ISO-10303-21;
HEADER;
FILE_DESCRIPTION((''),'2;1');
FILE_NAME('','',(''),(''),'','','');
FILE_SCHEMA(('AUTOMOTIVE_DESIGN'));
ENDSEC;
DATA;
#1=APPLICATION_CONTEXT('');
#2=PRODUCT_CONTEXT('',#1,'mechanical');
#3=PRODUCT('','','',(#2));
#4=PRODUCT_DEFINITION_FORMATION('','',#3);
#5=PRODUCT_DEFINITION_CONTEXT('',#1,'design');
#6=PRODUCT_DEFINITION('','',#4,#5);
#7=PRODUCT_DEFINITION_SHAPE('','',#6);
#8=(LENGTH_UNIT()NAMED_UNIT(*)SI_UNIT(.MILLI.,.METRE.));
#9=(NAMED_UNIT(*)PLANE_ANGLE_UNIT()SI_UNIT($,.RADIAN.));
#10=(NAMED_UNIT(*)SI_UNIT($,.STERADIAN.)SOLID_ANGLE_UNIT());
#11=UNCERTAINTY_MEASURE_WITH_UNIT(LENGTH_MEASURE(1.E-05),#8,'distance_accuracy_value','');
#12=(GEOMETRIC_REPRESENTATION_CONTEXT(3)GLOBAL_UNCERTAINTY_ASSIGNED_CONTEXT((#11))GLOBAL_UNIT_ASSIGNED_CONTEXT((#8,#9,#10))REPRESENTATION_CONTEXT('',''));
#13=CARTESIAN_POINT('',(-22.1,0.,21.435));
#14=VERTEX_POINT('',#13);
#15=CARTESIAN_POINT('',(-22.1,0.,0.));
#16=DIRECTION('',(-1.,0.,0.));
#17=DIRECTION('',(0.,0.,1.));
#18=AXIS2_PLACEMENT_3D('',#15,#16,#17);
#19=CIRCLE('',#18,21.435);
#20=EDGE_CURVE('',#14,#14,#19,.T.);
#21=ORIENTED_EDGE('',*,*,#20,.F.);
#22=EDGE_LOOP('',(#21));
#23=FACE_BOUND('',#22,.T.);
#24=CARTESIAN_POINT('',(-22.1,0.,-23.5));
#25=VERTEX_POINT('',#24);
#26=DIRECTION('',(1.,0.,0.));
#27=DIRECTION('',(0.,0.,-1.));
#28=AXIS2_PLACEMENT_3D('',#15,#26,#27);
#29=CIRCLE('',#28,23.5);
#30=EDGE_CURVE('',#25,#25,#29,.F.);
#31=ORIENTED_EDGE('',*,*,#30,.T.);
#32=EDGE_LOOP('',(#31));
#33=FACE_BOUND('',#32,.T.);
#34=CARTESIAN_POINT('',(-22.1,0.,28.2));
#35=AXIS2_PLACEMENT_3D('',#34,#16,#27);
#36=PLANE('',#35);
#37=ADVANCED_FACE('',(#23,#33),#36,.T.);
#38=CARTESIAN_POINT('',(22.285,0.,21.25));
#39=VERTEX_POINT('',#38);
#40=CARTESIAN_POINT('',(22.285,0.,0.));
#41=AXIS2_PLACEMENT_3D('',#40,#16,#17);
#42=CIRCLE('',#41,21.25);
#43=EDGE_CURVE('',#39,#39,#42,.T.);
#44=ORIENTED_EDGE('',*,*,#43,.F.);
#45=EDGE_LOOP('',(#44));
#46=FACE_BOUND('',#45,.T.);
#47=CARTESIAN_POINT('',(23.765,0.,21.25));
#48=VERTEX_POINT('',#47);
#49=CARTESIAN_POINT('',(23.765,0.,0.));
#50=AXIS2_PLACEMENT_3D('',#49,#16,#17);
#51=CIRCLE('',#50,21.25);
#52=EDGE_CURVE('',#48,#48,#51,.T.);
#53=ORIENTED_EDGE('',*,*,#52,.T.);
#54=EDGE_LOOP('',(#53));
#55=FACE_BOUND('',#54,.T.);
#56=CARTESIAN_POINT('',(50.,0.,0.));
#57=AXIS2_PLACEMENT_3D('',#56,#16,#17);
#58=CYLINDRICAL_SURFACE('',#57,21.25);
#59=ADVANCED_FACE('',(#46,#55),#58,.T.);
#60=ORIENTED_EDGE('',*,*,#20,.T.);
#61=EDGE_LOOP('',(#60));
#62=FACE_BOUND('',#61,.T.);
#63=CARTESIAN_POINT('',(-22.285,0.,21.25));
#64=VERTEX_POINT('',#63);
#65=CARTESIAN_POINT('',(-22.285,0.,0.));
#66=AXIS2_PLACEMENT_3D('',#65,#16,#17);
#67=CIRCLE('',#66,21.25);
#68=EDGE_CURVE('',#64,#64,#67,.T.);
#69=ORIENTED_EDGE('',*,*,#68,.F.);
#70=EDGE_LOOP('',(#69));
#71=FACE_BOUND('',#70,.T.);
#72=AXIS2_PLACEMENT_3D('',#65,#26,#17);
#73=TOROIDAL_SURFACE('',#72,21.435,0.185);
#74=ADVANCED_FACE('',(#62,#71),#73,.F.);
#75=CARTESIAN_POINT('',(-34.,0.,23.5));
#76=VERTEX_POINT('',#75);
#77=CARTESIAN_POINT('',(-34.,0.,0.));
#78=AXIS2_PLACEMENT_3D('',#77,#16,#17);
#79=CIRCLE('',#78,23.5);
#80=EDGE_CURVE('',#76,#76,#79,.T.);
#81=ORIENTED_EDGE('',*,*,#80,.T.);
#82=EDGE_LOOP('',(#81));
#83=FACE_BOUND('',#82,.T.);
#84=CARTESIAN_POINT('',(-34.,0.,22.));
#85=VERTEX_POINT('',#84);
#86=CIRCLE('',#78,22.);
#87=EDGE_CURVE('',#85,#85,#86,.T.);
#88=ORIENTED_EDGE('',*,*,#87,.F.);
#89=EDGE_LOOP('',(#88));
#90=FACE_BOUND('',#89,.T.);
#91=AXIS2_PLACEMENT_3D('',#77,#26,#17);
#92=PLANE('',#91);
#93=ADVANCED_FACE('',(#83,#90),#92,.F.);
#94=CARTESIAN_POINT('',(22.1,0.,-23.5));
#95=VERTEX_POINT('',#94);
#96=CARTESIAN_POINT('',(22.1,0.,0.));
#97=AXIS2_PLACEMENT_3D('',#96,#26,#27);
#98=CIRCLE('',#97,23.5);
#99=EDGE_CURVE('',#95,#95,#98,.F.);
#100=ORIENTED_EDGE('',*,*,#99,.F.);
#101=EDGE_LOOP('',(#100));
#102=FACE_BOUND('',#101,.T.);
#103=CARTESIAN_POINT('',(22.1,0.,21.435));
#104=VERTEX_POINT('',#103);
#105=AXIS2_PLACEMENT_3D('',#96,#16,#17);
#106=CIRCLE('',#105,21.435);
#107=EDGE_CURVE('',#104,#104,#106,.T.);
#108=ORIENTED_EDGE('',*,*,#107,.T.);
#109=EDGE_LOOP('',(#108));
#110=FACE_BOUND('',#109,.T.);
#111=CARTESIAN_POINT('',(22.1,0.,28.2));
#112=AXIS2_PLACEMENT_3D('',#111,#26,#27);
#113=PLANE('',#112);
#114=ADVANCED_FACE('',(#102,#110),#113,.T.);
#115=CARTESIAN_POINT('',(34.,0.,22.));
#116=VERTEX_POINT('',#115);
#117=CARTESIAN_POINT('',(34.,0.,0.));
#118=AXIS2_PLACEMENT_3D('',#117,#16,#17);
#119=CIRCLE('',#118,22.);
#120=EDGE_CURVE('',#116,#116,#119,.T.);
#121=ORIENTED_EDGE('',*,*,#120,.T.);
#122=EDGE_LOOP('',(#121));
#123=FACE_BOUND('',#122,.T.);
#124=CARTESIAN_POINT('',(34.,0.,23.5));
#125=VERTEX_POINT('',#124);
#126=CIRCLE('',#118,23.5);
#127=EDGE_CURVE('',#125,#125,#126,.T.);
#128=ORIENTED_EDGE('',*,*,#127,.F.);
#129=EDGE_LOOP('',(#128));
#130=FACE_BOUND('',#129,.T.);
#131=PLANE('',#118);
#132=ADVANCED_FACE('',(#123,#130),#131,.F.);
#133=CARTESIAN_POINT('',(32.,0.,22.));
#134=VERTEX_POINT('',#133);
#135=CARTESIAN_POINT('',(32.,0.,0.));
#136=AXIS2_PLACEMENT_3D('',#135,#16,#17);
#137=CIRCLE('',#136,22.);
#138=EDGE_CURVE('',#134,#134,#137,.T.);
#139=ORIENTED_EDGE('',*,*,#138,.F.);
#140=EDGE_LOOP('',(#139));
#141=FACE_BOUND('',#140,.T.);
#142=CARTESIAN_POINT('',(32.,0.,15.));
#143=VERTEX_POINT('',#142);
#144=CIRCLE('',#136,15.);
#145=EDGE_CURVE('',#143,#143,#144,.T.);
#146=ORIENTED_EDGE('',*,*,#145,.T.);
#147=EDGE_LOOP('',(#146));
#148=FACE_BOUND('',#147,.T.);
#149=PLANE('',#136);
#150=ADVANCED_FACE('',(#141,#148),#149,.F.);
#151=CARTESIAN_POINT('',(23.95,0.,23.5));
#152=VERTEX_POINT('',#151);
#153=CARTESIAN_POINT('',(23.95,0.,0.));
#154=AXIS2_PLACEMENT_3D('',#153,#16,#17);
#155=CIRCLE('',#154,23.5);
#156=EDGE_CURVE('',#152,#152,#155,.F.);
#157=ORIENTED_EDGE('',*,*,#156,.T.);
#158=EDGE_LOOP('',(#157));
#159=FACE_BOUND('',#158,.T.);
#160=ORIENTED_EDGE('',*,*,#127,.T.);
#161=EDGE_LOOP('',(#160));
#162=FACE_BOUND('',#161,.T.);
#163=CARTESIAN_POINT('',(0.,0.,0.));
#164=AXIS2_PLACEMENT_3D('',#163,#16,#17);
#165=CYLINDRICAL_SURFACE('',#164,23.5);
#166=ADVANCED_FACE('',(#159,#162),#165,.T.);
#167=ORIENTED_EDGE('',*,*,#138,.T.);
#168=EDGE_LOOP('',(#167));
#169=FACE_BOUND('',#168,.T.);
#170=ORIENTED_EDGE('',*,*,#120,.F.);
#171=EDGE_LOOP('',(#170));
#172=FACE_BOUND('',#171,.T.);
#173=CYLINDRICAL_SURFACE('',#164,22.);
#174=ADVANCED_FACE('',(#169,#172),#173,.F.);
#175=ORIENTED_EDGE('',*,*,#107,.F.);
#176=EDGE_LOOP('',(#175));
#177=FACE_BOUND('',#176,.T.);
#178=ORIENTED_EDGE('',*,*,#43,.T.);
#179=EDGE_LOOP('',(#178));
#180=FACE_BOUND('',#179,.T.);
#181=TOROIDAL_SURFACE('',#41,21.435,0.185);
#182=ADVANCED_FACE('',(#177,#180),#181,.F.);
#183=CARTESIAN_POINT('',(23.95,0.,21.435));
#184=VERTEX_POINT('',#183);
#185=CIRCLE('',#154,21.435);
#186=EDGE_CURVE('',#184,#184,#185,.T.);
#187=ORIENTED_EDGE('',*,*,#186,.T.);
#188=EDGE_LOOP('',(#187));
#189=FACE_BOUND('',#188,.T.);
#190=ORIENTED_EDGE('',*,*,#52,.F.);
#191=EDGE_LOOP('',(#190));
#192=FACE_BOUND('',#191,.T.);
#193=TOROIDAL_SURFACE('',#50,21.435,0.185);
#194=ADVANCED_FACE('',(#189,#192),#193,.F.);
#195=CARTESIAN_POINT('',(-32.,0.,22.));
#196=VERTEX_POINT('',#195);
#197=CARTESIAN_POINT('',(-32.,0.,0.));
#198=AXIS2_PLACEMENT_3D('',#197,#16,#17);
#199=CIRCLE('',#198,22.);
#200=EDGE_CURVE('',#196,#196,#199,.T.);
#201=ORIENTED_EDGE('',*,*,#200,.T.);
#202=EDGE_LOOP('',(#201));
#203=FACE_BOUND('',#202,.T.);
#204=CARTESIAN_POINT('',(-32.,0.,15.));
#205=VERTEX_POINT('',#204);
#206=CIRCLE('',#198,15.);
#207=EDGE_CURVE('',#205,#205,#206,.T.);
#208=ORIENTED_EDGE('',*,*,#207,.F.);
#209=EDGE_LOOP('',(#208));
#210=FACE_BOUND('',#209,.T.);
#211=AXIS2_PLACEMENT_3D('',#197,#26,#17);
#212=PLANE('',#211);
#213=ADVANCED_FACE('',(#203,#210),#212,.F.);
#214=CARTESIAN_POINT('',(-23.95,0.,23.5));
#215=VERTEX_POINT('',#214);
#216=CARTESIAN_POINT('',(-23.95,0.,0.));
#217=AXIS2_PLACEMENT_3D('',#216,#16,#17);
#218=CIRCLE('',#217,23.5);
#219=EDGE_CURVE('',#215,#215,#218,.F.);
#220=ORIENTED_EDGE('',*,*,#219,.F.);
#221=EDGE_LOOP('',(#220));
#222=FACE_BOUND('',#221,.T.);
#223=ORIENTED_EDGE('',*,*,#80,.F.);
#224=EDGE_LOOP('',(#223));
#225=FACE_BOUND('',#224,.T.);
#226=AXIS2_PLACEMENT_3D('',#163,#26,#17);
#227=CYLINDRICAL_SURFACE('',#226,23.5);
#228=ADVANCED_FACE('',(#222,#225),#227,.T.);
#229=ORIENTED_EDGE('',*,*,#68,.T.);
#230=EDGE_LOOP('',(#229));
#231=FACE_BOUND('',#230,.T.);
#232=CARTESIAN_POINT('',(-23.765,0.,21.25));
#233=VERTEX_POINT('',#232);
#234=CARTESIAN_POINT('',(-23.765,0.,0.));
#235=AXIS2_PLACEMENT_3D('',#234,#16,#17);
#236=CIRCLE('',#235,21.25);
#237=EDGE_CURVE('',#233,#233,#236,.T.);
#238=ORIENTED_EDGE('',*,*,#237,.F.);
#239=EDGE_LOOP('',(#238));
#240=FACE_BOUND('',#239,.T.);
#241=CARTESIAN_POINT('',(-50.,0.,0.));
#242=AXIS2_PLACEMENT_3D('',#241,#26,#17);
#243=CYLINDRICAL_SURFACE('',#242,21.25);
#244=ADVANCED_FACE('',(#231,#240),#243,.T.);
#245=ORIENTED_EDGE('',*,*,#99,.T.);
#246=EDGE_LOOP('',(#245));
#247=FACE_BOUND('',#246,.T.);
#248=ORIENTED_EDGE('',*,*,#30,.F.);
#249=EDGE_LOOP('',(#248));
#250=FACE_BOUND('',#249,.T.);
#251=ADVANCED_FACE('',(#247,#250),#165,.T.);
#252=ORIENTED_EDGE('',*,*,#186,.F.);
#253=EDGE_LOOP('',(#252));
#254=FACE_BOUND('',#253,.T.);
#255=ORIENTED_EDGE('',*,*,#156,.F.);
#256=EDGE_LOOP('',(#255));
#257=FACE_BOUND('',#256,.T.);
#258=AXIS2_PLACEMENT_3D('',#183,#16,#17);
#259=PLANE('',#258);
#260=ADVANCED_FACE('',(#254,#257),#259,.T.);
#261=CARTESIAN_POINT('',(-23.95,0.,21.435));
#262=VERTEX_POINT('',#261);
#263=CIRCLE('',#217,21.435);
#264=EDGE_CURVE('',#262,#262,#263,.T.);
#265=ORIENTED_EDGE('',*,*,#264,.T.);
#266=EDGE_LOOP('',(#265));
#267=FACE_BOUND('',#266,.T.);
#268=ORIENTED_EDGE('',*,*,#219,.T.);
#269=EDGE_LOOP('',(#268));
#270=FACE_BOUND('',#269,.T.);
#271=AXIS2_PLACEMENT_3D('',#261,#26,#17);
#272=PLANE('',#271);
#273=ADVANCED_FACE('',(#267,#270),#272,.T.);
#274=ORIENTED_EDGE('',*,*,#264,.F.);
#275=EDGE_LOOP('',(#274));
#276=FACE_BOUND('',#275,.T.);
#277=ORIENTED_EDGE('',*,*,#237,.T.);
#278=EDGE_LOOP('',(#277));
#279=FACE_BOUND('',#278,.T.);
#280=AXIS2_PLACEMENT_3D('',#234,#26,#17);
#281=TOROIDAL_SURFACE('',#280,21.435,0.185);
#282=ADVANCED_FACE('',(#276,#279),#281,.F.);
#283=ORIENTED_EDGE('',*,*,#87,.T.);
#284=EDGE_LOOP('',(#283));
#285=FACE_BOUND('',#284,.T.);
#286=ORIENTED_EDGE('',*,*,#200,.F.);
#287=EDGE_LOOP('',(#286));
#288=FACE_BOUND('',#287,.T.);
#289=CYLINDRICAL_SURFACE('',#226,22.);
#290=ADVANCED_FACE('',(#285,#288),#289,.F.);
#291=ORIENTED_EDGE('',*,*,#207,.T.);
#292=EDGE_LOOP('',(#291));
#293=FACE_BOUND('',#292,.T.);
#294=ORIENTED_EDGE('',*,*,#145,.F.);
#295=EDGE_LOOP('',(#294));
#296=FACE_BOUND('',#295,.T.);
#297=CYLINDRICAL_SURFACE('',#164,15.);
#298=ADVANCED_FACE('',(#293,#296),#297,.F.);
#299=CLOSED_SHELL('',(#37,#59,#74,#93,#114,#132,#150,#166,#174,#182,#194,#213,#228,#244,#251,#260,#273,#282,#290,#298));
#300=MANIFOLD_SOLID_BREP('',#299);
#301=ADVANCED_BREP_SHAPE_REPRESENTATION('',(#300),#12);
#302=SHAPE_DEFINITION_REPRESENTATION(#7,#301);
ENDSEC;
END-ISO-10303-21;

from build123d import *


with BuildPart() as part:
    # Sketch1 → Revolve1 (revolve)
    with BuildSketch(Plane(origin=(0, 0, 0), x_dir=(1, 0, 0), z_dir=(0, 1, 0)), mode=Mode.PRIVATE) as revolve1_sk:
        Polygon((0, 23.5), (0, 15), (32, 15), (32, 22), (34, 22), (34, 23.5), align=None)
    revolve(revolve1_sk.sketch.rotate(Axis((0, 0, 0), (1, 0, 0)), 180), axis=Axis((0, 0, 0), (1, 0, 0)))

    # Sketch7 → Groove for DIN 471 - 45 x 1.75, Circlip for shafts - normal1 (revolve, cut)
    with BuildSketch(Plane(origin=(0, 0, 0), x_dir=(0, 0, 1), z_dir=(0, -1, 0))):
        with BuildLine():
            Line((21.435, -23.95), (28.2, -23.95))
            Line((28.2, -23.95), (28.2, -22.1))
            Line((28.2, -22.1), (21.435, -22.1))
            ThreePointArc((21.435, -22.1), (21.304185245, -22.154185245), (21.25, -22.285))
            Line((21.25, -22.285), (21.25, -23.765))
            ThreePointArc((21.25, -23.765), (21.304185245, -23.895814755), (21.435, -23.95))
        make_face()
    revolve(axis=Axis((50, 0, 0), (-1, 0, 0)), mode=Mode.SUBTRACT)

    # Mirror2: part across plane


with BuildPart() as part_1:
    add(part.part)
    add(part.part.mirror(Plane.ZY))


solid = part_1.part
